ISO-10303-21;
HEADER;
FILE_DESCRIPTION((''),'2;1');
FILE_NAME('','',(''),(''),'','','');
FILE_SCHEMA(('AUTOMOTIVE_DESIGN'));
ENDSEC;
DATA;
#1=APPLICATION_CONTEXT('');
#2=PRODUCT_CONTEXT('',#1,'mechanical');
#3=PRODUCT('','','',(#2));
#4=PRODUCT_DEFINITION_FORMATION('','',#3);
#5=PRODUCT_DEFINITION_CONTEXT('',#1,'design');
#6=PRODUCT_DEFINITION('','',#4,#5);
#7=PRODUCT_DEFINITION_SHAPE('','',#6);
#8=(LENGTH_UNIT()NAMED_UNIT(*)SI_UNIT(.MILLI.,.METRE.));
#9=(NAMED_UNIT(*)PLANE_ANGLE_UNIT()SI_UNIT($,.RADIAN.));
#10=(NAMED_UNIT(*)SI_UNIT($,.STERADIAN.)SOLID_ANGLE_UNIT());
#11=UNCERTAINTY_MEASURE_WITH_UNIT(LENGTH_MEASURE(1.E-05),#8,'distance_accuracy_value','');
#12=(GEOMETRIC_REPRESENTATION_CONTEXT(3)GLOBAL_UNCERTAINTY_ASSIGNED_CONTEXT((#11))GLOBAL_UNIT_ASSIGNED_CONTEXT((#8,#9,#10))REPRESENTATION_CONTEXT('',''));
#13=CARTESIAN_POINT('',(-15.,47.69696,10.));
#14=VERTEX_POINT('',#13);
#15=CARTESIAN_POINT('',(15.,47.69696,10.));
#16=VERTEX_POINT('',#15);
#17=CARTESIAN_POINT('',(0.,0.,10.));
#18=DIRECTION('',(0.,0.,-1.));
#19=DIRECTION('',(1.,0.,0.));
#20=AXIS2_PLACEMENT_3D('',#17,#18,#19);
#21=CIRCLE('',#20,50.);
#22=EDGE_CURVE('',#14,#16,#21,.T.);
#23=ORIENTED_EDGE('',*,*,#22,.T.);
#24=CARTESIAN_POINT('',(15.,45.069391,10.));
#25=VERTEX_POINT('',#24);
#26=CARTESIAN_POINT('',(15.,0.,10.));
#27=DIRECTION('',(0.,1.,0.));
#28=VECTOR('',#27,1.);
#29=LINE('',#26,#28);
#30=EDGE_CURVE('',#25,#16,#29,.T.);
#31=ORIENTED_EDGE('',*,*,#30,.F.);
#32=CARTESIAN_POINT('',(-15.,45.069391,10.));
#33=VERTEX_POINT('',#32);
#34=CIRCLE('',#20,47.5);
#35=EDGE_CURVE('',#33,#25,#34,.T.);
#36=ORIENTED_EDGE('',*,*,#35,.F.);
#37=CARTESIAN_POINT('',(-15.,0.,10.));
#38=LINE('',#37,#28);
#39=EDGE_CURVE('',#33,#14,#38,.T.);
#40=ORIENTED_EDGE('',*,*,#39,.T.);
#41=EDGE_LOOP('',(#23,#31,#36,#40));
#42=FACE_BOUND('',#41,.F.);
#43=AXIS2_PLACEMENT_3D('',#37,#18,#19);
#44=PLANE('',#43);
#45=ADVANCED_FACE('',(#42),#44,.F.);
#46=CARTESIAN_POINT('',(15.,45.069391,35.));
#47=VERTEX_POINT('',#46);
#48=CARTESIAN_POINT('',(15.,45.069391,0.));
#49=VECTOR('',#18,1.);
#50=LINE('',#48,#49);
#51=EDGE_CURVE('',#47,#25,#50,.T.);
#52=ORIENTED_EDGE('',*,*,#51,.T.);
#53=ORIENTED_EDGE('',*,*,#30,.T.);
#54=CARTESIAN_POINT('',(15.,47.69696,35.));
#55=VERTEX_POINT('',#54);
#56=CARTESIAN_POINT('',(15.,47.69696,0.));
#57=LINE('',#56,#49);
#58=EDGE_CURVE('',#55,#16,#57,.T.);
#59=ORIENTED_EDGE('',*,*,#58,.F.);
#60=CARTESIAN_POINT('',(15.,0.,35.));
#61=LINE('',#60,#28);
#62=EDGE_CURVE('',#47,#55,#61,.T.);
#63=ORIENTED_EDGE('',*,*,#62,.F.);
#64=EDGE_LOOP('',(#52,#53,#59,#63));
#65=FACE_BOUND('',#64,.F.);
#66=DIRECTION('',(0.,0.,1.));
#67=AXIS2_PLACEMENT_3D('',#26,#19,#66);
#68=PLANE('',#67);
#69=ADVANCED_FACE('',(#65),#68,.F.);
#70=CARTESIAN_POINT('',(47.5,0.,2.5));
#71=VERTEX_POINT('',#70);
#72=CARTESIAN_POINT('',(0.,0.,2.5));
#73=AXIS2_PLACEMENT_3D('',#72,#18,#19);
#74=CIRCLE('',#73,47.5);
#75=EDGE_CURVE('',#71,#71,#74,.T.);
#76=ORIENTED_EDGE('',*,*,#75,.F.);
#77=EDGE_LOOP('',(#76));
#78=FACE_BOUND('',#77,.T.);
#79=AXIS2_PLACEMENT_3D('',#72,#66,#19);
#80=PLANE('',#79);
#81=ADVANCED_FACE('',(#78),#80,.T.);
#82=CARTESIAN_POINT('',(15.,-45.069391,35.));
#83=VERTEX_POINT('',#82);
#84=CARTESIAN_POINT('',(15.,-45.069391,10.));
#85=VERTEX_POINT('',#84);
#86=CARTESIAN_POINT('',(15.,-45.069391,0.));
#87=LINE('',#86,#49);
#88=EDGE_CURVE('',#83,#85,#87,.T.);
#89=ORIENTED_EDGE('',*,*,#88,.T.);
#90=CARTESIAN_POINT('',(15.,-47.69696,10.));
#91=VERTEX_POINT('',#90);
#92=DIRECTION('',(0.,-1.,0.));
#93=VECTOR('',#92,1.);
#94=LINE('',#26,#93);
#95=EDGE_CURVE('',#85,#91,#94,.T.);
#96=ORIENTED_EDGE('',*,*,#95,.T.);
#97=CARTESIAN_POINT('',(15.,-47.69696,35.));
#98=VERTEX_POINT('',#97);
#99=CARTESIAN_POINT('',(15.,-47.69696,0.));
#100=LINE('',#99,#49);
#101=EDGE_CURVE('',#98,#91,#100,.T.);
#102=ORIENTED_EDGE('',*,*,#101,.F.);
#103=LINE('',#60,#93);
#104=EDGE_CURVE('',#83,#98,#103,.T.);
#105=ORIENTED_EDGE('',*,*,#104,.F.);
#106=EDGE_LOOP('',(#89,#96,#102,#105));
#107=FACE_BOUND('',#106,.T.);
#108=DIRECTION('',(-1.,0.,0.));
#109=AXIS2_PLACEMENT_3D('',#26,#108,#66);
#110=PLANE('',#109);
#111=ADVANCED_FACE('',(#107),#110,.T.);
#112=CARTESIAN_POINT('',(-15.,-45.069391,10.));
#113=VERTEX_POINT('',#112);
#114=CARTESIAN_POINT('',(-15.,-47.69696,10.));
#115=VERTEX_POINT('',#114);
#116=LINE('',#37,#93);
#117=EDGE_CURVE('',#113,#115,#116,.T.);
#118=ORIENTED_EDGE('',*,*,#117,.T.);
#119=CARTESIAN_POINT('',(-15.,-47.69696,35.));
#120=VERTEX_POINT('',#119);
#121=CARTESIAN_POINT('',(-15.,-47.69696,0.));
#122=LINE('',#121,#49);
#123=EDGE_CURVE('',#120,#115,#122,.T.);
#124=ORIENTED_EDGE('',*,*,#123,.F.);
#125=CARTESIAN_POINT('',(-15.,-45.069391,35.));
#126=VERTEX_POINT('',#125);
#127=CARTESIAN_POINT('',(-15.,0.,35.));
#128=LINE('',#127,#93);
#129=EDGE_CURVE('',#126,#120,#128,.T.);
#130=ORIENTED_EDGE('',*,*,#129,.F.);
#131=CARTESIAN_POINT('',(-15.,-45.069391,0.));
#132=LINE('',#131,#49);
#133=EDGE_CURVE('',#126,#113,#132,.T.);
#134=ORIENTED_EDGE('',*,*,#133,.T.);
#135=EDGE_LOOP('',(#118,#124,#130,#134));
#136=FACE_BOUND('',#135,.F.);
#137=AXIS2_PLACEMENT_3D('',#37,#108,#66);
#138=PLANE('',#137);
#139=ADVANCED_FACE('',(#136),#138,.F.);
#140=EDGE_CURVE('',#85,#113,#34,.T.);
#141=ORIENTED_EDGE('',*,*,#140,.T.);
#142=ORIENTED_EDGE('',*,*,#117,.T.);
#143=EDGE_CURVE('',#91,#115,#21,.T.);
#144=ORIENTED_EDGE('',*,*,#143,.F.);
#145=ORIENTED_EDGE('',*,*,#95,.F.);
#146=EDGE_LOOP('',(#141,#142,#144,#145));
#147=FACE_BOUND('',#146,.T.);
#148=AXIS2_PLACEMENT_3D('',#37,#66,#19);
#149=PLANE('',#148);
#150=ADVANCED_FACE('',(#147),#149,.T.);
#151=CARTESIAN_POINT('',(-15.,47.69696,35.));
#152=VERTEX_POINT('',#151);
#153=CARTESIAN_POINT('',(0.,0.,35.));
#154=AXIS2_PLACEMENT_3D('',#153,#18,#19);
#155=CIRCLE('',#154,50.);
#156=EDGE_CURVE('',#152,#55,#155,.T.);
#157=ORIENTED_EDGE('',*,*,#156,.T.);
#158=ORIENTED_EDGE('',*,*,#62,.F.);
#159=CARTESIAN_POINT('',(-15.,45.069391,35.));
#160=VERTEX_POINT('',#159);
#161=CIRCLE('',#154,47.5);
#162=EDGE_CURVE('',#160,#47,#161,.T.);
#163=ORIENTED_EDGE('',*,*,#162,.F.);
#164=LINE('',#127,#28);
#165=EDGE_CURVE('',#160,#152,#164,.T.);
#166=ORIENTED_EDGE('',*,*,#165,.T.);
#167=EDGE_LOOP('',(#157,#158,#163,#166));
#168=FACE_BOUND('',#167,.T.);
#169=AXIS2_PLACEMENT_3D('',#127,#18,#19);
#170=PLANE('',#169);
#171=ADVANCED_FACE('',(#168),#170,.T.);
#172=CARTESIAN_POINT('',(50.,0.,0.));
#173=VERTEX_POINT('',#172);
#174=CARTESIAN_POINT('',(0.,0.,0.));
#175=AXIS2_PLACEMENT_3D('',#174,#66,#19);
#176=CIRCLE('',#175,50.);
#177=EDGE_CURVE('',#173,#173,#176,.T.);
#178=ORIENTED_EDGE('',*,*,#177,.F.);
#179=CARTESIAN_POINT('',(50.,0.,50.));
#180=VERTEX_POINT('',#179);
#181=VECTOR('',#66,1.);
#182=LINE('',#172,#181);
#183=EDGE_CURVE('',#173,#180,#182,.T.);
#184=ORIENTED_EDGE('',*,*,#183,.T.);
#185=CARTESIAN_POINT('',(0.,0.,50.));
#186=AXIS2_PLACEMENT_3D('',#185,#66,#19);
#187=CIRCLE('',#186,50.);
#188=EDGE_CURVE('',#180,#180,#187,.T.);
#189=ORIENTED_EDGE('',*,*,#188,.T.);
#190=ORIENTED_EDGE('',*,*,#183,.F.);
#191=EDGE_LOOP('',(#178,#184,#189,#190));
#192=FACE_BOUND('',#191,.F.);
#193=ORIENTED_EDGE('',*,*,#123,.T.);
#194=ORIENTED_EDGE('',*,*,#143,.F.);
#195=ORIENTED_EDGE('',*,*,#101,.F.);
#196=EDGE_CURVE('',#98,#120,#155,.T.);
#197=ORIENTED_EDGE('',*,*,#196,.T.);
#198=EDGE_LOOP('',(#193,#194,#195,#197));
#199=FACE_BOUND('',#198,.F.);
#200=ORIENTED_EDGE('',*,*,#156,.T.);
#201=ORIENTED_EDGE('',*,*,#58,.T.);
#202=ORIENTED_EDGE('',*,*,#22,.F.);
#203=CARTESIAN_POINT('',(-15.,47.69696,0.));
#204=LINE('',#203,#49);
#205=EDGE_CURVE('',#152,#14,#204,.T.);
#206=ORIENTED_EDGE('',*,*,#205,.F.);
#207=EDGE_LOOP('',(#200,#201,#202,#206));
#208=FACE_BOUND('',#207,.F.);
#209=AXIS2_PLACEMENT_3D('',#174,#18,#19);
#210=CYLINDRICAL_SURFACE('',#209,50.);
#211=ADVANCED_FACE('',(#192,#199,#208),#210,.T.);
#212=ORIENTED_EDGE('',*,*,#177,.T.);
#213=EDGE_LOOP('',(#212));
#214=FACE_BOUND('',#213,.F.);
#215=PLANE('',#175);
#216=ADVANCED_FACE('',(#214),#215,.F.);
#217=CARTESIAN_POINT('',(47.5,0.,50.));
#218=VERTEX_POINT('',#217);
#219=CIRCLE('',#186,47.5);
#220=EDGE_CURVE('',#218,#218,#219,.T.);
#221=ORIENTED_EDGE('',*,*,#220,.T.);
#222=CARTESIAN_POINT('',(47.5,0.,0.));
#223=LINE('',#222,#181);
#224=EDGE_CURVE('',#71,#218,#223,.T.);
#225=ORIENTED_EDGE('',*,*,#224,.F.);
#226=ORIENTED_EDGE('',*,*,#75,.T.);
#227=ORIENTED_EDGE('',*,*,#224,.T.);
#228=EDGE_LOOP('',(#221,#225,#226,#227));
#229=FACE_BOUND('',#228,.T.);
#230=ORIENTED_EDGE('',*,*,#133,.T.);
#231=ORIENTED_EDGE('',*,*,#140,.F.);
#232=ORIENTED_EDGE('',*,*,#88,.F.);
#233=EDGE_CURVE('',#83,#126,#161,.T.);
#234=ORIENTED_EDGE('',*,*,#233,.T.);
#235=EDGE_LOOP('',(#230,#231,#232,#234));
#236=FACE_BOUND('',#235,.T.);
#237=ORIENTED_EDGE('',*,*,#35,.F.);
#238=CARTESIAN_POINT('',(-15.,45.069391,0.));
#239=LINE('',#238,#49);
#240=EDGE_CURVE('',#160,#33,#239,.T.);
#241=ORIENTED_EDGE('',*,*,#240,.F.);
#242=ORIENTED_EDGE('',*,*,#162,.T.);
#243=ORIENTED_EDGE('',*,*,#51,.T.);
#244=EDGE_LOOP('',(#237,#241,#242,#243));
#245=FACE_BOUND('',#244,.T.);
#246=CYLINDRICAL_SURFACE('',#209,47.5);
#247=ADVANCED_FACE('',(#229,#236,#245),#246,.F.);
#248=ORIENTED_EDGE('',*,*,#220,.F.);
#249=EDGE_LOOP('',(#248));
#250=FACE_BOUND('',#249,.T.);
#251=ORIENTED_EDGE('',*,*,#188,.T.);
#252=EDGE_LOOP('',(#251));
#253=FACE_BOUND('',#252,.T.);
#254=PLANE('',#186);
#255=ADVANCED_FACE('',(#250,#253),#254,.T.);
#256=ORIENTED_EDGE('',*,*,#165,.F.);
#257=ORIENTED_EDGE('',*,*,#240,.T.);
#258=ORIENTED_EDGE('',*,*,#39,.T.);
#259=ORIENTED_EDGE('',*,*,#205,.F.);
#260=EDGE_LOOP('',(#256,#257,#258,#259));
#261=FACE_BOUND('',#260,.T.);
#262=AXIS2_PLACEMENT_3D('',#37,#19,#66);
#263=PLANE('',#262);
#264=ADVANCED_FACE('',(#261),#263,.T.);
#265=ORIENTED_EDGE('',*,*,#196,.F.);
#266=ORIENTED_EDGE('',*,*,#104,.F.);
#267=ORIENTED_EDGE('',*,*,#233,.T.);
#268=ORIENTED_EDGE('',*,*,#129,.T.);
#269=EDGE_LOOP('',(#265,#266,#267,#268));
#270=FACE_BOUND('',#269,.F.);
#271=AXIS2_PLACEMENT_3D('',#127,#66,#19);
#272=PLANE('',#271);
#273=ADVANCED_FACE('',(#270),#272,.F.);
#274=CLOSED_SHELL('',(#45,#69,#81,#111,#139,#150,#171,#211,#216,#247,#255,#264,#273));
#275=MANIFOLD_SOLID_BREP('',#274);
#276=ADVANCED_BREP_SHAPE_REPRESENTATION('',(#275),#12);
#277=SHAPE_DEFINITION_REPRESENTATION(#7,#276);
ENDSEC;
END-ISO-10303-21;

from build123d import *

# Parameters (mm, degrees)
F0_R          = 50
F1_DEPTH      = 50
F2_T          = -2.5
F3_W          = 30
F3_H          = 25
F4_DEPTH      = 50.001
F4_DEPTH_BACK = 50.001


with BuildPart() as f1:
    # F0 (on Top) → F1 (new body)
    with BuildSketch(Plane.XY):
        Circle(F0_R)
    extrude(amount=F1_DEPTH)

    # F2
    f2_openings = [f1.faces().sort_by_distance(p)[0] for p in [
        (0, 0, 50),
    ]]
    offset(amount=F2_T, openings=f2_openings)

    # F3 (on Front) → F4 (cut, two sides)
    with BuildSketch(Plane.XZ) as f4_sk:
        with Locations((0, 22.5)):
            Rectangle(F3_W, F3_H)
    extrude(amount=F4_DEPTH, mode=Mode.SUBTRACT)
    extrude(f4_sk.sketch, amount=-F4_DEPTH_BACK, mode=Mode.SUBTRACT)


solid = f1.part
